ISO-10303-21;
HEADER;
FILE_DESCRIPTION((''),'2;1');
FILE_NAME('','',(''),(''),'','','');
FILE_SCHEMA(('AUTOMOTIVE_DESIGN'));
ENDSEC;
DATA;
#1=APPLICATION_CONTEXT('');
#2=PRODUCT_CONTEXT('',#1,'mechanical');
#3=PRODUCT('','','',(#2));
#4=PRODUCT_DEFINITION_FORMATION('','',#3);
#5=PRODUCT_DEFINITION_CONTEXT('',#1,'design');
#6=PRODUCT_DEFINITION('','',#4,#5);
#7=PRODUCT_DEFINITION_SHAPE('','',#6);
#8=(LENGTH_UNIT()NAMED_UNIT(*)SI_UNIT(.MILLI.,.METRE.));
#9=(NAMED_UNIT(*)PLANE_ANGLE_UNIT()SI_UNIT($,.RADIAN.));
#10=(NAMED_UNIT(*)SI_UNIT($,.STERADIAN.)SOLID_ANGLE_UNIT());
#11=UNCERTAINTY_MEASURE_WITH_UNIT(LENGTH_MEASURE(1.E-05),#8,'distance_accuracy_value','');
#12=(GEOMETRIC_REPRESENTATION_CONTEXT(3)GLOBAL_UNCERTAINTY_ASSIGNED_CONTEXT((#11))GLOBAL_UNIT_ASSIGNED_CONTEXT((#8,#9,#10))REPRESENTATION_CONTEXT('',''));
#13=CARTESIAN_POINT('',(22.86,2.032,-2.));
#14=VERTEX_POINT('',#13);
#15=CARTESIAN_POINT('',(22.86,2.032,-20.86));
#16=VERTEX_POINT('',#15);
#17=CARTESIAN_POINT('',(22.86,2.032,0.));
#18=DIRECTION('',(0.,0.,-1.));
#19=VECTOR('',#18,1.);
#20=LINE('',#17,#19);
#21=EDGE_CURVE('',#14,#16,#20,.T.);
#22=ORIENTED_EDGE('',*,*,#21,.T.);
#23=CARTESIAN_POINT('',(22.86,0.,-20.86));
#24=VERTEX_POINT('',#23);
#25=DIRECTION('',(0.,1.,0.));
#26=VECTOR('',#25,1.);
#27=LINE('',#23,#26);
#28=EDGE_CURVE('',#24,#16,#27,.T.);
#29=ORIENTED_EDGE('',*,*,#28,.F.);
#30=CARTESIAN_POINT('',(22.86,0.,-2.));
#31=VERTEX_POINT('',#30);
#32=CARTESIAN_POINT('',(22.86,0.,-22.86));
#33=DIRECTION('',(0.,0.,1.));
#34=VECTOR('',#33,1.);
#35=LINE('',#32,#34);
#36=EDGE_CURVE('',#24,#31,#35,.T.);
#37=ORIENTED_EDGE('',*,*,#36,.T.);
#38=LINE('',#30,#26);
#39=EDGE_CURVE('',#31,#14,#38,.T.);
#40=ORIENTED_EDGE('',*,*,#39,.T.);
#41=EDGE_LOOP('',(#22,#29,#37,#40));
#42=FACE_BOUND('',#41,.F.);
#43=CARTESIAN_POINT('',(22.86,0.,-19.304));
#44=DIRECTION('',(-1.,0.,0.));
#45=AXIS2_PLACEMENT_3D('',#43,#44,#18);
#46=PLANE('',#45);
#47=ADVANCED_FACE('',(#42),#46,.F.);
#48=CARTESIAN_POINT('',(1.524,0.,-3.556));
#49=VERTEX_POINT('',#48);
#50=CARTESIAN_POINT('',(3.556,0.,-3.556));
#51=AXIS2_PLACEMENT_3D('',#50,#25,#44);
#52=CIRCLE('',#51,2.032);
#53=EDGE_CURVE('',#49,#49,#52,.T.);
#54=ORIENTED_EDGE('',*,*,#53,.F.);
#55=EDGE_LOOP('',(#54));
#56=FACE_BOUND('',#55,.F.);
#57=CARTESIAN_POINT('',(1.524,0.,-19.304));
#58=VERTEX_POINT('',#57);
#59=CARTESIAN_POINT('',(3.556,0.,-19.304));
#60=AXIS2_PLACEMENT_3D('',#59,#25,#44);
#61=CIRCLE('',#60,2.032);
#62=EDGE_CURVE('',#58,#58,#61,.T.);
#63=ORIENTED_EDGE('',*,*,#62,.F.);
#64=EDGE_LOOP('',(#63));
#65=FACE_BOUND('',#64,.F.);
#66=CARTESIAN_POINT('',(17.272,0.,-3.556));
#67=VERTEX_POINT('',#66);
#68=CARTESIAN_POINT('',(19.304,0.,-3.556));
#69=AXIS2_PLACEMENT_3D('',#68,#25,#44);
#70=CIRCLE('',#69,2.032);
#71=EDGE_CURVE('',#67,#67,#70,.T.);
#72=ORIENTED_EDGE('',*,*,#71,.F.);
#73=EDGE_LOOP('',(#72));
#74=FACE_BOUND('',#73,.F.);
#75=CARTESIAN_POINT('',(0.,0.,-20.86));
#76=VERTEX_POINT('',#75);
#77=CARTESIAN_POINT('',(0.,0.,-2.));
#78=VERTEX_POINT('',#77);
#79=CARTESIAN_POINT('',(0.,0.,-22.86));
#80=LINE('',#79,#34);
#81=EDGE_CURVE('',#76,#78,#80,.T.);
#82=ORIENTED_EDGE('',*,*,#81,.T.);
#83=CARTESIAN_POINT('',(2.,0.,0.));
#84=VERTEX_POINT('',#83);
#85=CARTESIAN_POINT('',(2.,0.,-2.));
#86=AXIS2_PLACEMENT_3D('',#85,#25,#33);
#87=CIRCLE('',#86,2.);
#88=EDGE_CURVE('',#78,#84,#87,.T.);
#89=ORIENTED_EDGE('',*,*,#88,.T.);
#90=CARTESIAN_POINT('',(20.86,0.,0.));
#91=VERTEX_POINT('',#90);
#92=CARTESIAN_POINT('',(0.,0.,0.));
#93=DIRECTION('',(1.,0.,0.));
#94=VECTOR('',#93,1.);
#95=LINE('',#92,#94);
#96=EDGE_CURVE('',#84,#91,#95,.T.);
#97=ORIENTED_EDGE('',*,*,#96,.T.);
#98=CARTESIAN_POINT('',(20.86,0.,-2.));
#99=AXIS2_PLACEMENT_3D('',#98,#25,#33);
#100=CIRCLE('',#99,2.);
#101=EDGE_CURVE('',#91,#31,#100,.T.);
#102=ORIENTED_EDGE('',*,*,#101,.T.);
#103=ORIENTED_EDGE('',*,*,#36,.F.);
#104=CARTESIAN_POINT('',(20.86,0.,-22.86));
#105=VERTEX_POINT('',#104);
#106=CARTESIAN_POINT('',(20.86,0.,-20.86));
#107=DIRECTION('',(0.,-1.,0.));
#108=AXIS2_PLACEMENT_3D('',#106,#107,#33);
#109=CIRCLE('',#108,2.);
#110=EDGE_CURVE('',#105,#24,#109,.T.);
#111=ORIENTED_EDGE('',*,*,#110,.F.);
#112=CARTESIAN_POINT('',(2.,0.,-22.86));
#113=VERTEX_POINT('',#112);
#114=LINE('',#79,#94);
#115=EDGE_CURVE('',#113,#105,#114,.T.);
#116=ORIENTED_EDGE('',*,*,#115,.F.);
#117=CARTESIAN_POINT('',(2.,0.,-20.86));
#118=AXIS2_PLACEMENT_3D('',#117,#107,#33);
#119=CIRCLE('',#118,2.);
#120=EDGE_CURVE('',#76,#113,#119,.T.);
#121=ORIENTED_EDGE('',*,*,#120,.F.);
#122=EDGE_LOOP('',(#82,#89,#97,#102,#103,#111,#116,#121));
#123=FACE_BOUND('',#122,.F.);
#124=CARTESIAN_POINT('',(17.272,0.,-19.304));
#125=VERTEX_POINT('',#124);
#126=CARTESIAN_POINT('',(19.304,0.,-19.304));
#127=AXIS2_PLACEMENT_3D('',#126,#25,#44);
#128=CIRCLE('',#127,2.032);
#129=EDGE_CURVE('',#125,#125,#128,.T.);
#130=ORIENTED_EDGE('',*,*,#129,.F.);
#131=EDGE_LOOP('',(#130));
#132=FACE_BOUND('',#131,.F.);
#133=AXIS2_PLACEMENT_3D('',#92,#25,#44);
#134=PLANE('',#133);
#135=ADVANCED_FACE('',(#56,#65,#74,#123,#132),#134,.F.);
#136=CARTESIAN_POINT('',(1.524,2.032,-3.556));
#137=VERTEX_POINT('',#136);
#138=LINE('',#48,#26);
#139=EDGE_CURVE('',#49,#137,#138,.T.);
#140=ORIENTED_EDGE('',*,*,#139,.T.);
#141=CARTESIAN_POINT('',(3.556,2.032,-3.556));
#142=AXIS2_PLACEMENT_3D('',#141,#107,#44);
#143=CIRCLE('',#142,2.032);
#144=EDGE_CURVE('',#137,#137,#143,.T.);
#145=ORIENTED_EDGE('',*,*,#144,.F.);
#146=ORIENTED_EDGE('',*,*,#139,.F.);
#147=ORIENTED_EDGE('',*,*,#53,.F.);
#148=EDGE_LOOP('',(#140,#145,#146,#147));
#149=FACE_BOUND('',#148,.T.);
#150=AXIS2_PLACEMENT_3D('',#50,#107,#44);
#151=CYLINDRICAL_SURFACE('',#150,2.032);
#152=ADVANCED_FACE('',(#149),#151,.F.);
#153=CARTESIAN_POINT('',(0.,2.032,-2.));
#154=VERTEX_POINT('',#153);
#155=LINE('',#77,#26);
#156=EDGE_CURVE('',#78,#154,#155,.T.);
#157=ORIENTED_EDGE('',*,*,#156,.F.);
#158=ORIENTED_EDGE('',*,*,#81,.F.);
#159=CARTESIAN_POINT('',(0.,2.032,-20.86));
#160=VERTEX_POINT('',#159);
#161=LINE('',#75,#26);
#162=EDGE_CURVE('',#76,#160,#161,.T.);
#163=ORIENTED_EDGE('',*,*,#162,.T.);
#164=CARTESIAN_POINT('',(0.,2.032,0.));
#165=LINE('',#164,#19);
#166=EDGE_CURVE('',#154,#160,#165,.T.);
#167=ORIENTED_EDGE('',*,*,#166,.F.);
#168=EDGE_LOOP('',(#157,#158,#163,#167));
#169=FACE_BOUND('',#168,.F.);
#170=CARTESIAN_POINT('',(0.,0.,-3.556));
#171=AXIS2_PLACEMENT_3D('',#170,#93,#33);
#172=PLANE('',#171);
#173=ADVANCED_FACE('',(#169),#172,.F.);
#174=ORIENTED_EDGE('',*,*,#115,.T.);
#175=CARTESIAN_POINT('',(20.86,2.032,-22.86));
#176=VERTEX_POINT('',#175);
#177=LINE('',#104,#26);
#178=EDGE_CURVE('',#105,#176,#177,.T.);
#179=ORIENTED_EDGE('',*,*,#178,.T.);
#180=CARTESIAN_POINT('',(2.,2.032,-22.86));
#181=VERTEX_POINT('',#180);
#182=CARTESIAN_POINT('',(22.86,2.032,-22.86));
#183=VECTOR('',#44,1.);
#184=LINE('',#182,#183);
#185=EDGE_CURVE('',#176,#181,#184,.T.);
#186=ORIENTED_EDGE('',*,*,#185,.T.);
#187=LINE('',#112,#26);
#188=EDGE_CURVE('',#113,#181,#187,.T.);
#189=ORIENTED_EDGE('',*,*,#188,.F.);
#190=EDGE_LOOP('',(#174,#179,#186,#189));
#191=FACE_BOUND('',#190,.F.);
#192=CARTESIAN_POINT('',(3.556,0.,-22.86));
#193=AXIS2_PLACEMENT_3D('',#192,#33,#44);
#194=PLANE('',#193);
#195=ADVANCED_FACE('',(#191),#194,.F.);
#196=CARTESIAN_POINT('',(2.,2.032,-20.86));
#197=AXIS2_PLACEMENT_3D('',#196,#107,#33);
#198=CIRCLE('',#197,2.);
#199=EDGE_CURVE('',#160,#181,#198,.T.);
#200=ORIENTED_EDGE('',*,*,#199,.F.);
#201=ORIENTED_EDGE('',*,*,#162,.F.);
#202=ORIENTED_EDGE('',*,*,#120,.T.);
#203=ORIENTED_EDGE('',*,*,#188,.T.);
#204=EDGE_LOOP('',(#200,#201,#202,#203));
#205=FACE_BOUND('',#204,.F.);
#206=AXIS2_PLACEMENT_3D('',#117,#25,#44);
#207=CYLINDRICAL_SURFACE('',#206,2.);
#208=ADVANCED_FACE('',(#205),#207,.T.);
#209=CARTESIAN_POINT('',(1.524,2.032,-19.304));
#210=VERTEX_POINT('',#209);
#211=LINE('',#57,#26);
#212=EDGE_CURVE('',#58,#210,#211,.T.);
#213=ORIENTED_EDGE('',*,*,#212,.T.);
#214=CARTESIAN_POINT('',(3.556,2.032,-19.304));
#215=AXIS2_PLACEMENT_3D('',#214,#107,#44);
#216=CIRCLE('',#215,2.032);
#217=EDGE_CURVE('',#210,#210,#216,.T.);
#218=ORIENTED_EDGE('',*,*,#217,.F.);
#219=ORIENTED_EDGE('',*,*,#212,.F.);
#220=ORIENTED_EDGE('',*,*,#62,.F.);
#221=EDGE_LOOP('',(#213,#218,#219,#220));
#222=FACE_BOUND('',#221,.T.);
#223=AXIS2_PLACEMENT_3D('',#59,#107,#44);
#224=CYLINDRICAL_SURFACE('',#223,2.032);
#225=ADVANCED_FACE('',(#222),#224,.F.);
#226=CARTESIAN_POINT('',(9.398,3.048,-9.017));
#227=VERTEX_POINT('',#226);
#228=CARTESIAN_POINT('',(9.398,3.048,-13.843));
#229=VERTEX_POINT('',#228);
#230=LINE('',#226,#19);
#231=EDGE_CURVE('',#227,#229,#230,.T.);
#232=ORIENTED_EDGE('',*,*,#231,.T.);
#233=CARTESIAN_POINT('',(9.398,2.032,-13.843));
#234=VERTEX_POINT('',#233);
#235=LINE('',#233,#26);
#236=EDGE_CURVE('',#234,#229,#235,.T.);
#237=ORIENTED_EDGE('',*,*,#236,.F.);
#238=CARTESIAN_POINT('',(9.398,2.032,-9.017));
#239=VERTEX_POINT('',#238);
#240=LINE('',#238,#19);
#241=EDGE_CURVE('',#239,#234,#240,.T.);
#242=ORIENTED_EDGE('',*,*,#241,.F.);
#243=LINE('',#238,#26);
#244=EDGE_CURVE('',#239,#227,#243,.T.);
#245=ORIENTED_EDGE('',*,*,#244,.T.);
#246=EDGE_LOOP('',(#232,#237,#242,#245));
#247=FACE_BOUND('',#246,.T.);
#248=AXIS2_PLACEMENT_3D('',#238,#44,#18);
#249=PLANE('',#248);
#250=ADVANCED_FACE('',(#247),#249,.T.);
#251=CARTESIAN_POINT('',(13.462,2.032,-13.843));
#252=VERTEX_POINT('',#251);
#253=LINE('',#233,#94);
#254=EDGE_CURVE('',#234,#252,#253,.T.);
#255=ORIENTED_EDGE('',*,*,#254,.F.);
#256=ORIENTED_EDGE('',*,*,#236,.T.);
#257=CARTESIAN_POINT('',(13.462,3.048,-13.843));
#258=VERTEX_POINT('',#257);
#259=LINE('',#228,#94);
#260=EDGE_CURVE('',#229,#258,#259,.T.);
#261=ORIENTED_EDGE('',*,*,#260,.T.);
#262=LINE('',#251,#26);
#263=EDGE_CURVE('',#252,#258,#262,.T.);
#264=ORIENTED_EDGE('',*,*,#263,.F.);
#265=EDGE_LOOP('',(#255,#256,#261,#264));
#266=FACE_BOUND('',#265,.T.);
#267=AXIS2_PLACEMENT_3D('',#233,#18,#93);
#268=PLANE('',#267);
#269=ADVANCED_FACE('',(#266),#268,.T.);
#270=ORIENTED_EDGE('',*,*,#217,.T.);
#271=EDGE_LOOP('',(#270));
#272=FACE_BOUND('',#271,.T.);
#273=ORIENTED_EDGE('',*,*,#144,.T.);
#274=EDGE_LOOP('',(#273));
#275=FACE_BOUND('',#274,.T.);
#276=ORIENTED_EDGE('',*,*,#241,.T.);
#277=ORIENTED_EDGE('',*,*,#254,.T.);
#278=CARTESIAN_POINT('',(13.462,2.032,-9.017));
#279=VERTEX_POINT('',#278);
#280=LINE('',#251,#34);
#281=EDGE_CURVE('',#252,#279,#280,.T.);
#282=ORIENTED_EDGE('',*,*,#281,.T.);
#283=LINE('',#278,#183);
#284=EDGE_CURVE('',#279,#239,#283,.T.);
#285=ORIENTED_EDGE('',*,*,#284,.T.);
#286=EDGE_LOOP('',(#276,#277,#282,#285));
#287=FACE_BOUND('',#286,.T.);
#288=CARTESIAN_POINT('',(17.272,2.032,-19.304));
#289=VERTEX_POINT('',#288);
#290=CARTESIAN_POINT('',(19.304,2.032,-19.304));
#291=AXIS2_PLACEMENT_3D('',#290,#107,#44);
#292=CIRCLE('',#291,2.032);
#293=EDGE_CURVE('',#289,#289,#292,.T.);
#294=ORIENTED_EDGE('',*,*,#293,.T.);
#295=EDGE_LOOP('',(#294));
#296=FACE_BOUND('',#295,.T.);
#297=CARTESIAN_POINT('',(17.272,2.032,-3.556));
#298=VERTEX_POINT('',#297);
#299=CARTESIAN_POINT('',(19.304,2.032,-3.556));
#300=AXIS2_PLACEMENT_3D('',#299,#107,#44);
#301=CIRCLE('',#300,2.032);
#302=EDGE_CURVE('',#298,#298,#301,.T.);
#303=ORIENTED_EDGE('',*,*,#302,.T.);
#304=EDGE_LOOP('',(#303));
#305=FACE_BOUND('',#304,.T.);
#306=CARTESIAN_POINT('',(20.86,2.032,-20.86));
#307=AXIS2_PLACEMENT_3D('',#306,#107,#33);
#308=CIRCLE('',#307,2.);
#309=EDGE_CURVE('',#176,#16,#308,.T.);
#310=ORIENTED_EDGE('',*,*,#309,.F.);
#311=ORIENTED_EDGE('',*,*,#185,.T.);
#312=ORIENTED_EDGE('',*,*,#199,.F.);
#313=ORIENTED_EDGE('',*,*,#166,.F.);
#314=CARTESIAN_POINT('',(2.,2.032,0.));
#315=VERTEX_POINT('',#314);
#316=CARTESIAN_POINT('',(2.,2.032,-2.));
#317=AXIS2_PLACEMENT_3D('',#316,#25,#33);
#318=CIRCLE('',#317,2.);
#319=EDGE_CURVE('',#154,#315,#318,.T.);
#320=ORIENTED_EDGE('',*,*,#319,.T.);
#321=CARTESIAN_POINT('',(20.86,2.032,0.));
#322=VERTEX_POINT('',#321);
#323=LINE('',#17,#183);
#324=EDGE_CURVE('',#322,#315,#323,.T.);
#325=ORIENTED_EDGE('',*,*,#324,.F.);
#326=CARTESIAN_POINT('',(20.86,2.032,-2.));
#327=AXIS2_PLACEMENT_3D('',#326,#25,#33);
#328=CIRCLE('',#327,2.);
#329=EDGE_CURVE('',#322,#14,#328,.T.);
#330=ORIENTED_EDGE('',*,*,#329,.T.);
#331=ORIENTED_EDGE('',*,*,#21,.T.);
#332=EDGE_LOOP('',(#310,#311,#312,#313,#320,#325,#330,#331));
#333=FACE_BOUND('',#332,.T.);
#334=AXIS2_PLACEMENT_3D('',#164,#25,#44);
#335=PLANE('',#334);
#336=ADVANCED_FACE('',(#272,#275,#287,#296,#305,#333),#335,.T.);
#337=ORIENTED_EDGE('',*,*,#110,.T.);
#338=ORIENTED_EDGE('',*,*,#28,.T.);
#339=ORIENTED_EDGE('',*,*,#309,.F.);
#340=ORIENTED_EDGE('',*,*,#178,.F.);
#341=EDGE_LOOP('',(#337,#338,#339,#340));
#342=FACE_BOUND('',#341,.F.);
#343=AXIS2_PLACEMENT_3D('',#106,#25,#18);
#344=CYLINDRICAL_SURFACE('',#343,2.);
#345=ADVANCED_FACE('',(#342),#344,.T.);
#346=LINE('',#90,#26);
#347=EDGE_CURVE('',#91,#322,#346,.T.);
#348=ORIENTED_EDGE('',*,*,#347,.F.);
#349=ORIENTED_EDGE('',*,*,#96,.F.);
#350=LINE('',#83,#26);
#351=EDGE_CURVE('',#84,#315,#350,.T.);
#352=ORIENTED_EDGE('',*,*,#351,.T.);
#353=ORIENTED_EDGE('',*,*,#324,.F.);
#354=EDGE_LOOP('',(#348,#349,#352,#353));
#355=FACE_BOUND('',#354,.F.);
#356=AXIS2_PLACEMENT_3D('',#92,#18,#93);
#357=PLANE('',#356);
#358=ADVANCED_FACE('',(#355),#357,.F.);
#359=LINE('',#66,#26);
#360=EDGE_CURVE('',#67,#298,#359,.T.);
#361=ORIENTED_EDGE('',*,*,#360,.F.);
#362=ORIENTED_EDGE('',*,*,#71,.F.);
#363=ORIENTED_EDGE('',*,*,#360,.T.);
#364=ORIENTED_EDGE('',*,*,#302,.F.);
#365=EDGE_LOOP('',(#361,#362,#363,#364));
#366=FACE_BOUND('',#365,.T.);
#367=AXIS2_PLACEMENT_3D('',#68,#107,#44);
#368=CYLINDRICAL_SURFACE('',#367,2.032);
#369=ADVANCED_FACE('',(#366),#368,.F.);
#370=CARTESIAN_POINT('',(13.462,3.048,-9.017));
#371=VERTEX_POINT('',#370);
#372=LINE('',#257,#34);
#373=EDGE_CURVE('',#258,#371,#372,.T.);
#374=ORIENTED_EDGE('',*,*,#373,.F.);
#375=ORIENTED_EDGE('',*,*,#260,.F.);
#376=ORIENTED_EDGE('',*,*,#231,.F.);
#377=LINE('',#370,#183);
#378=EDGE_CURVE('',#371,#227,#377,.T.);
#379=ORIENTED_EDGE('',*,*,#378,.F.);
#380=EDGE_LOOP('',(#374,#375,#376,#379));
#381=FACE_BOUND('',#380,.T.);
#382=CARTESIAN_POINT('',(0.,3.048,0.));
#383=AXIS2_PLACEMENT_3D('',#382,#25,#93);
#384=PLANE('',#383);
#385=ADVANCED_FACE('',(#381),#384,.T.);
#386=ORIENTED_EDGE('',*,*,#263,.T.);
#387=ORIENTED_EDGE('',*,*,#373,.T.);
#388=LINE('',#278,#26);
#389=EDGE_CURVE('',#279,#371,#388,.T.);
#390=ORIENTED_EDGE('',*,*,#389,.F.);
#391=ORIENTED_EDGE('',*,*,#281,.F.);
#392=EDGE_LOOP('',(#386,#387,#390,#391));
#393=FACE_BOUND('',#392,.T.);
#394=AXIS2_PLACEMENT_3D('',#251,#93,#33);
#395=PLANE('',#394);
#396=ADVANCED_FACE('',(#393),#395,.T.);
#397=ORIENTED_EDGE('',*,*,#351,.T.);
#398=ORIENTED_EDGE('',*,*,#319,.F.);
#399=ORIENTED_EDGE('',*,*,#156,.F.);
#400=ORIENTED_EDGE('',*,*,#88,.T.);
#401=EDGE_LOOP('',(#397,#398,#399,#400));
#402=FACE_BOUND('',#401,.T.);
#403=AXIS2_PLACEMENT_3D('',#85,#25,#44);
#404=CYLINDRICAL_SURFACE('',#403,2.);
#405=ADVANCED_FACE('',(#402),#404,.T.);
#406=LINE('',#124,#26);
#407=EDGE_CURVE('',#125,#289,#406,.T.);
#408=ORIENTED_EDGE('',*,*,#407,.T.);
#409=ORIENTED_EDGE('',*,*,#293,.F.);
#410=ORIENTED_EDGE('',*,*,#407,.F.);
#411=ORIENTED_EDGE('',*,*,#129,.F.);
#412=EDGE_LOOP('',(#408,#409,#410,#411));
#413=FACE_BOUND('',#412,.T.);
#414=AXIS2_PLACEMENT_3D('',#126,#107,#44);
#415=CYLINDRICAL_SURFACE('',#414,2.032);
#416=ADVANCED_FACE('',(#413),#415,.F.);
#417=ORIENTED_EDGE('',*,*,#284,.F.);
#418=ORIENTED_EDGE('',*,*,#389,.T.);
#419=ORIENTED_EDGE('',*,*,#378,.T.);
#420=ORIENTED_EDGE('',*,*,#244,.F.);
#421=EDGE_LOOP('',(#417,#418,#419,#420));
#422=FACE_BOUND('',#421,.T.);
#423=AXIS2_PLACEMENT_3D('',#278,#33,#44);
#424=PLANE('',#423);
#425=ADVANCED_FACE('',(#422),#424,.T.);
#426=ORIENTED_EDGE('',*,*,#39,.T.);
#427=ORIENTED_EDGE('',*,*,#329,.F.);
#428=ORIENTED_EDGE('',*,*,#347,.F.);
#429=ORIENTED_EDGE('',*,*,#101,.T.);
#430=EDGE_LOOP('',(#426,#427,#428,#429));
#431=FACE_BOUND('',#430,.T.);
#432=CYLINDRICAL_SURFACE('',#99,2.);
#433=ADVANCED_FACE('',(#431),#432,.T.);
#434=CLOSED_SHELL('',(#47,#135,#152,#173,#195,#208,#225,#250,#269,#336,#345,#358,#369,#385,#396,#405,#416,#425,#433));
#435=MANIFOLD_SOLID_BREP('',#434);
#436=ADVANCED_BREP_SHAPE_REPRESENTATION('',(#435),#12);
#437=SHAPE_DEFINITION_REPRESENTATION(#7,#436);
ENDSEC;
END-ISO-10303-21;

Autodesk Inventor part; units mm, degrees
ref_plane "YZ Plane" through (0, 0, 0) normal (1, 0, 0) x (0, 1, 0)
ref_plane "XZ Plane" through (0, 0, 0) normal (0, 1, 0) x (-1, 0, 0)
ref_plane "XY Plane" through (0, 0, 0) normal (0, 0, 1) x (1, 0, 0)
sketch "Sketch1" plane through (0, 0, 0) normal (0, 1, 0) x (-1, 0, 0)
  line L0 (0, 0) -> (-22.86, 0)
  line L1 (-22.86, 0) -> (-22.86, -22.86)
  line L2 (-22.86, -22.86) -> (0, -22.86)
  line L3 (0, -22.86) -> (0, 0)
  line L4 (-22.86, -22.86) -> (-19.304, -22.86)
  line L5 (-19.304, -22.86) -> (-19.304, -19.304) construction
  line L6 (-19.304, -19.304) -> (-22.86, -19.304) construction
  line L7 (-22.86, -19.304) -> (-22.86, -22.86)
  line L8 (0, -22.86) -> (-3.556, -22.86)
  line L9 (-3.556, -22.86) -> (-3.556, -19.304) construction
  line L10 (-3.556, -19.304) -> (0, -19.304) construction
  line L11 (0, -19.304) -> (0, -22.86)
  line L12 (0, 0) -> (-3.556, 0)
  line L13 (-3.556, 0) -> (-3.556, -3.556) construction
  line L14 (-3.556, -3.556) -> (0, -3.556) construction
  line L15 (0, -3.556) -> (0, 0)
  line L16 (-22.86, 0) -> (-19.304, 0)
  line L17 (-19.304, 0) -> (-19.304, -3.556) construction
  line L18 (-19.304, -3.556) -> (-22.86, -3.556) construction
  line L19 (-22.86, -3.556) -> (-22.86, 0)
  circle A0 centre (-3.556, -19.304) radius 2.032
  circle A1 centre (-19.304, -19.304) radius 2.032
  circle A2 centre (-19.304, -3.556) radius 2.032
  circle A3 centre (-3.556, -3.556) radius 2.032
  line L20 (-3.556, -19.304) -> (-19.304, -19.304)
  line L21 (-19.304, -19.304) -> (-19.304, -3.556)
  line L22 (-19.304, -3.556) -> (-3.556, -3.556)
  line L23 (-3.556, -3.556) -> (-3.556, -19.304)
  dimension "d0" = 22.86
  dimension "d1" = 22.86
  dimension "d2" = 3.556
  dimension "d3" = 3.556
  dimension "d4" = 3.556
  dimension "d5" = 3.556
  dimension "d6" = 3.556
  dimension "d7" = 3.556
  dimension "d8" = 3.556
  dimension "d9" = 3.556
  dimension "d10" = 4.064
  dimension "d11" = 4.064
  dimension "d12" = 4.064
  dimension "d13" = 4.064
extrude "Extrusion1" add sketch "Sketch1" along normal blind 2.032 contours L3 L2 L1 L0 | A0 L20 A1 L21 A2 L22 A3 L23
fillet "Fillet1" radius 2 4 edges at (0, 1.016, 0) (22.86, 1.016, 0) (22.86, 1.016, -22.86) (0, 1.016, -22.86)
sketch "Sketch2" plane through (0, 2.032, 0) normal (0, 1, 0) x (1, 0, 0)
  line L0 (9.398, 13.843) -> (13.462, 13.843)
  line L1 (13.462, 13.843) -> (13.462, 9.017)
  line L2 (13.462, 9.017) -> (9.398, 9.017)
  line L3 (9.398, 9.017) -> (9.398, 13.843)
  line L4 (9.398, 13.843) -> (13.462, 9.017) construction
  line L5 (13.462, 13.843) -> (9.398, 9.017) construction
  line L6 (22.86, 2) -> (22.86, 20.86) projected
  line L7 (20.86, 22.86) -> (2, 22.86) projected
  point P0 (0, 0)
  point P1 (11.43, 11.43)
  dimension "d17" = 4.064
  dimension "d18" = 4.826
  dimension "d19" = 11.43
  dimension "d20" = 11.43
extrude "Extrusion2" add sketch "Sketch2" along normal blind 1.016
properties part number "as5600"
